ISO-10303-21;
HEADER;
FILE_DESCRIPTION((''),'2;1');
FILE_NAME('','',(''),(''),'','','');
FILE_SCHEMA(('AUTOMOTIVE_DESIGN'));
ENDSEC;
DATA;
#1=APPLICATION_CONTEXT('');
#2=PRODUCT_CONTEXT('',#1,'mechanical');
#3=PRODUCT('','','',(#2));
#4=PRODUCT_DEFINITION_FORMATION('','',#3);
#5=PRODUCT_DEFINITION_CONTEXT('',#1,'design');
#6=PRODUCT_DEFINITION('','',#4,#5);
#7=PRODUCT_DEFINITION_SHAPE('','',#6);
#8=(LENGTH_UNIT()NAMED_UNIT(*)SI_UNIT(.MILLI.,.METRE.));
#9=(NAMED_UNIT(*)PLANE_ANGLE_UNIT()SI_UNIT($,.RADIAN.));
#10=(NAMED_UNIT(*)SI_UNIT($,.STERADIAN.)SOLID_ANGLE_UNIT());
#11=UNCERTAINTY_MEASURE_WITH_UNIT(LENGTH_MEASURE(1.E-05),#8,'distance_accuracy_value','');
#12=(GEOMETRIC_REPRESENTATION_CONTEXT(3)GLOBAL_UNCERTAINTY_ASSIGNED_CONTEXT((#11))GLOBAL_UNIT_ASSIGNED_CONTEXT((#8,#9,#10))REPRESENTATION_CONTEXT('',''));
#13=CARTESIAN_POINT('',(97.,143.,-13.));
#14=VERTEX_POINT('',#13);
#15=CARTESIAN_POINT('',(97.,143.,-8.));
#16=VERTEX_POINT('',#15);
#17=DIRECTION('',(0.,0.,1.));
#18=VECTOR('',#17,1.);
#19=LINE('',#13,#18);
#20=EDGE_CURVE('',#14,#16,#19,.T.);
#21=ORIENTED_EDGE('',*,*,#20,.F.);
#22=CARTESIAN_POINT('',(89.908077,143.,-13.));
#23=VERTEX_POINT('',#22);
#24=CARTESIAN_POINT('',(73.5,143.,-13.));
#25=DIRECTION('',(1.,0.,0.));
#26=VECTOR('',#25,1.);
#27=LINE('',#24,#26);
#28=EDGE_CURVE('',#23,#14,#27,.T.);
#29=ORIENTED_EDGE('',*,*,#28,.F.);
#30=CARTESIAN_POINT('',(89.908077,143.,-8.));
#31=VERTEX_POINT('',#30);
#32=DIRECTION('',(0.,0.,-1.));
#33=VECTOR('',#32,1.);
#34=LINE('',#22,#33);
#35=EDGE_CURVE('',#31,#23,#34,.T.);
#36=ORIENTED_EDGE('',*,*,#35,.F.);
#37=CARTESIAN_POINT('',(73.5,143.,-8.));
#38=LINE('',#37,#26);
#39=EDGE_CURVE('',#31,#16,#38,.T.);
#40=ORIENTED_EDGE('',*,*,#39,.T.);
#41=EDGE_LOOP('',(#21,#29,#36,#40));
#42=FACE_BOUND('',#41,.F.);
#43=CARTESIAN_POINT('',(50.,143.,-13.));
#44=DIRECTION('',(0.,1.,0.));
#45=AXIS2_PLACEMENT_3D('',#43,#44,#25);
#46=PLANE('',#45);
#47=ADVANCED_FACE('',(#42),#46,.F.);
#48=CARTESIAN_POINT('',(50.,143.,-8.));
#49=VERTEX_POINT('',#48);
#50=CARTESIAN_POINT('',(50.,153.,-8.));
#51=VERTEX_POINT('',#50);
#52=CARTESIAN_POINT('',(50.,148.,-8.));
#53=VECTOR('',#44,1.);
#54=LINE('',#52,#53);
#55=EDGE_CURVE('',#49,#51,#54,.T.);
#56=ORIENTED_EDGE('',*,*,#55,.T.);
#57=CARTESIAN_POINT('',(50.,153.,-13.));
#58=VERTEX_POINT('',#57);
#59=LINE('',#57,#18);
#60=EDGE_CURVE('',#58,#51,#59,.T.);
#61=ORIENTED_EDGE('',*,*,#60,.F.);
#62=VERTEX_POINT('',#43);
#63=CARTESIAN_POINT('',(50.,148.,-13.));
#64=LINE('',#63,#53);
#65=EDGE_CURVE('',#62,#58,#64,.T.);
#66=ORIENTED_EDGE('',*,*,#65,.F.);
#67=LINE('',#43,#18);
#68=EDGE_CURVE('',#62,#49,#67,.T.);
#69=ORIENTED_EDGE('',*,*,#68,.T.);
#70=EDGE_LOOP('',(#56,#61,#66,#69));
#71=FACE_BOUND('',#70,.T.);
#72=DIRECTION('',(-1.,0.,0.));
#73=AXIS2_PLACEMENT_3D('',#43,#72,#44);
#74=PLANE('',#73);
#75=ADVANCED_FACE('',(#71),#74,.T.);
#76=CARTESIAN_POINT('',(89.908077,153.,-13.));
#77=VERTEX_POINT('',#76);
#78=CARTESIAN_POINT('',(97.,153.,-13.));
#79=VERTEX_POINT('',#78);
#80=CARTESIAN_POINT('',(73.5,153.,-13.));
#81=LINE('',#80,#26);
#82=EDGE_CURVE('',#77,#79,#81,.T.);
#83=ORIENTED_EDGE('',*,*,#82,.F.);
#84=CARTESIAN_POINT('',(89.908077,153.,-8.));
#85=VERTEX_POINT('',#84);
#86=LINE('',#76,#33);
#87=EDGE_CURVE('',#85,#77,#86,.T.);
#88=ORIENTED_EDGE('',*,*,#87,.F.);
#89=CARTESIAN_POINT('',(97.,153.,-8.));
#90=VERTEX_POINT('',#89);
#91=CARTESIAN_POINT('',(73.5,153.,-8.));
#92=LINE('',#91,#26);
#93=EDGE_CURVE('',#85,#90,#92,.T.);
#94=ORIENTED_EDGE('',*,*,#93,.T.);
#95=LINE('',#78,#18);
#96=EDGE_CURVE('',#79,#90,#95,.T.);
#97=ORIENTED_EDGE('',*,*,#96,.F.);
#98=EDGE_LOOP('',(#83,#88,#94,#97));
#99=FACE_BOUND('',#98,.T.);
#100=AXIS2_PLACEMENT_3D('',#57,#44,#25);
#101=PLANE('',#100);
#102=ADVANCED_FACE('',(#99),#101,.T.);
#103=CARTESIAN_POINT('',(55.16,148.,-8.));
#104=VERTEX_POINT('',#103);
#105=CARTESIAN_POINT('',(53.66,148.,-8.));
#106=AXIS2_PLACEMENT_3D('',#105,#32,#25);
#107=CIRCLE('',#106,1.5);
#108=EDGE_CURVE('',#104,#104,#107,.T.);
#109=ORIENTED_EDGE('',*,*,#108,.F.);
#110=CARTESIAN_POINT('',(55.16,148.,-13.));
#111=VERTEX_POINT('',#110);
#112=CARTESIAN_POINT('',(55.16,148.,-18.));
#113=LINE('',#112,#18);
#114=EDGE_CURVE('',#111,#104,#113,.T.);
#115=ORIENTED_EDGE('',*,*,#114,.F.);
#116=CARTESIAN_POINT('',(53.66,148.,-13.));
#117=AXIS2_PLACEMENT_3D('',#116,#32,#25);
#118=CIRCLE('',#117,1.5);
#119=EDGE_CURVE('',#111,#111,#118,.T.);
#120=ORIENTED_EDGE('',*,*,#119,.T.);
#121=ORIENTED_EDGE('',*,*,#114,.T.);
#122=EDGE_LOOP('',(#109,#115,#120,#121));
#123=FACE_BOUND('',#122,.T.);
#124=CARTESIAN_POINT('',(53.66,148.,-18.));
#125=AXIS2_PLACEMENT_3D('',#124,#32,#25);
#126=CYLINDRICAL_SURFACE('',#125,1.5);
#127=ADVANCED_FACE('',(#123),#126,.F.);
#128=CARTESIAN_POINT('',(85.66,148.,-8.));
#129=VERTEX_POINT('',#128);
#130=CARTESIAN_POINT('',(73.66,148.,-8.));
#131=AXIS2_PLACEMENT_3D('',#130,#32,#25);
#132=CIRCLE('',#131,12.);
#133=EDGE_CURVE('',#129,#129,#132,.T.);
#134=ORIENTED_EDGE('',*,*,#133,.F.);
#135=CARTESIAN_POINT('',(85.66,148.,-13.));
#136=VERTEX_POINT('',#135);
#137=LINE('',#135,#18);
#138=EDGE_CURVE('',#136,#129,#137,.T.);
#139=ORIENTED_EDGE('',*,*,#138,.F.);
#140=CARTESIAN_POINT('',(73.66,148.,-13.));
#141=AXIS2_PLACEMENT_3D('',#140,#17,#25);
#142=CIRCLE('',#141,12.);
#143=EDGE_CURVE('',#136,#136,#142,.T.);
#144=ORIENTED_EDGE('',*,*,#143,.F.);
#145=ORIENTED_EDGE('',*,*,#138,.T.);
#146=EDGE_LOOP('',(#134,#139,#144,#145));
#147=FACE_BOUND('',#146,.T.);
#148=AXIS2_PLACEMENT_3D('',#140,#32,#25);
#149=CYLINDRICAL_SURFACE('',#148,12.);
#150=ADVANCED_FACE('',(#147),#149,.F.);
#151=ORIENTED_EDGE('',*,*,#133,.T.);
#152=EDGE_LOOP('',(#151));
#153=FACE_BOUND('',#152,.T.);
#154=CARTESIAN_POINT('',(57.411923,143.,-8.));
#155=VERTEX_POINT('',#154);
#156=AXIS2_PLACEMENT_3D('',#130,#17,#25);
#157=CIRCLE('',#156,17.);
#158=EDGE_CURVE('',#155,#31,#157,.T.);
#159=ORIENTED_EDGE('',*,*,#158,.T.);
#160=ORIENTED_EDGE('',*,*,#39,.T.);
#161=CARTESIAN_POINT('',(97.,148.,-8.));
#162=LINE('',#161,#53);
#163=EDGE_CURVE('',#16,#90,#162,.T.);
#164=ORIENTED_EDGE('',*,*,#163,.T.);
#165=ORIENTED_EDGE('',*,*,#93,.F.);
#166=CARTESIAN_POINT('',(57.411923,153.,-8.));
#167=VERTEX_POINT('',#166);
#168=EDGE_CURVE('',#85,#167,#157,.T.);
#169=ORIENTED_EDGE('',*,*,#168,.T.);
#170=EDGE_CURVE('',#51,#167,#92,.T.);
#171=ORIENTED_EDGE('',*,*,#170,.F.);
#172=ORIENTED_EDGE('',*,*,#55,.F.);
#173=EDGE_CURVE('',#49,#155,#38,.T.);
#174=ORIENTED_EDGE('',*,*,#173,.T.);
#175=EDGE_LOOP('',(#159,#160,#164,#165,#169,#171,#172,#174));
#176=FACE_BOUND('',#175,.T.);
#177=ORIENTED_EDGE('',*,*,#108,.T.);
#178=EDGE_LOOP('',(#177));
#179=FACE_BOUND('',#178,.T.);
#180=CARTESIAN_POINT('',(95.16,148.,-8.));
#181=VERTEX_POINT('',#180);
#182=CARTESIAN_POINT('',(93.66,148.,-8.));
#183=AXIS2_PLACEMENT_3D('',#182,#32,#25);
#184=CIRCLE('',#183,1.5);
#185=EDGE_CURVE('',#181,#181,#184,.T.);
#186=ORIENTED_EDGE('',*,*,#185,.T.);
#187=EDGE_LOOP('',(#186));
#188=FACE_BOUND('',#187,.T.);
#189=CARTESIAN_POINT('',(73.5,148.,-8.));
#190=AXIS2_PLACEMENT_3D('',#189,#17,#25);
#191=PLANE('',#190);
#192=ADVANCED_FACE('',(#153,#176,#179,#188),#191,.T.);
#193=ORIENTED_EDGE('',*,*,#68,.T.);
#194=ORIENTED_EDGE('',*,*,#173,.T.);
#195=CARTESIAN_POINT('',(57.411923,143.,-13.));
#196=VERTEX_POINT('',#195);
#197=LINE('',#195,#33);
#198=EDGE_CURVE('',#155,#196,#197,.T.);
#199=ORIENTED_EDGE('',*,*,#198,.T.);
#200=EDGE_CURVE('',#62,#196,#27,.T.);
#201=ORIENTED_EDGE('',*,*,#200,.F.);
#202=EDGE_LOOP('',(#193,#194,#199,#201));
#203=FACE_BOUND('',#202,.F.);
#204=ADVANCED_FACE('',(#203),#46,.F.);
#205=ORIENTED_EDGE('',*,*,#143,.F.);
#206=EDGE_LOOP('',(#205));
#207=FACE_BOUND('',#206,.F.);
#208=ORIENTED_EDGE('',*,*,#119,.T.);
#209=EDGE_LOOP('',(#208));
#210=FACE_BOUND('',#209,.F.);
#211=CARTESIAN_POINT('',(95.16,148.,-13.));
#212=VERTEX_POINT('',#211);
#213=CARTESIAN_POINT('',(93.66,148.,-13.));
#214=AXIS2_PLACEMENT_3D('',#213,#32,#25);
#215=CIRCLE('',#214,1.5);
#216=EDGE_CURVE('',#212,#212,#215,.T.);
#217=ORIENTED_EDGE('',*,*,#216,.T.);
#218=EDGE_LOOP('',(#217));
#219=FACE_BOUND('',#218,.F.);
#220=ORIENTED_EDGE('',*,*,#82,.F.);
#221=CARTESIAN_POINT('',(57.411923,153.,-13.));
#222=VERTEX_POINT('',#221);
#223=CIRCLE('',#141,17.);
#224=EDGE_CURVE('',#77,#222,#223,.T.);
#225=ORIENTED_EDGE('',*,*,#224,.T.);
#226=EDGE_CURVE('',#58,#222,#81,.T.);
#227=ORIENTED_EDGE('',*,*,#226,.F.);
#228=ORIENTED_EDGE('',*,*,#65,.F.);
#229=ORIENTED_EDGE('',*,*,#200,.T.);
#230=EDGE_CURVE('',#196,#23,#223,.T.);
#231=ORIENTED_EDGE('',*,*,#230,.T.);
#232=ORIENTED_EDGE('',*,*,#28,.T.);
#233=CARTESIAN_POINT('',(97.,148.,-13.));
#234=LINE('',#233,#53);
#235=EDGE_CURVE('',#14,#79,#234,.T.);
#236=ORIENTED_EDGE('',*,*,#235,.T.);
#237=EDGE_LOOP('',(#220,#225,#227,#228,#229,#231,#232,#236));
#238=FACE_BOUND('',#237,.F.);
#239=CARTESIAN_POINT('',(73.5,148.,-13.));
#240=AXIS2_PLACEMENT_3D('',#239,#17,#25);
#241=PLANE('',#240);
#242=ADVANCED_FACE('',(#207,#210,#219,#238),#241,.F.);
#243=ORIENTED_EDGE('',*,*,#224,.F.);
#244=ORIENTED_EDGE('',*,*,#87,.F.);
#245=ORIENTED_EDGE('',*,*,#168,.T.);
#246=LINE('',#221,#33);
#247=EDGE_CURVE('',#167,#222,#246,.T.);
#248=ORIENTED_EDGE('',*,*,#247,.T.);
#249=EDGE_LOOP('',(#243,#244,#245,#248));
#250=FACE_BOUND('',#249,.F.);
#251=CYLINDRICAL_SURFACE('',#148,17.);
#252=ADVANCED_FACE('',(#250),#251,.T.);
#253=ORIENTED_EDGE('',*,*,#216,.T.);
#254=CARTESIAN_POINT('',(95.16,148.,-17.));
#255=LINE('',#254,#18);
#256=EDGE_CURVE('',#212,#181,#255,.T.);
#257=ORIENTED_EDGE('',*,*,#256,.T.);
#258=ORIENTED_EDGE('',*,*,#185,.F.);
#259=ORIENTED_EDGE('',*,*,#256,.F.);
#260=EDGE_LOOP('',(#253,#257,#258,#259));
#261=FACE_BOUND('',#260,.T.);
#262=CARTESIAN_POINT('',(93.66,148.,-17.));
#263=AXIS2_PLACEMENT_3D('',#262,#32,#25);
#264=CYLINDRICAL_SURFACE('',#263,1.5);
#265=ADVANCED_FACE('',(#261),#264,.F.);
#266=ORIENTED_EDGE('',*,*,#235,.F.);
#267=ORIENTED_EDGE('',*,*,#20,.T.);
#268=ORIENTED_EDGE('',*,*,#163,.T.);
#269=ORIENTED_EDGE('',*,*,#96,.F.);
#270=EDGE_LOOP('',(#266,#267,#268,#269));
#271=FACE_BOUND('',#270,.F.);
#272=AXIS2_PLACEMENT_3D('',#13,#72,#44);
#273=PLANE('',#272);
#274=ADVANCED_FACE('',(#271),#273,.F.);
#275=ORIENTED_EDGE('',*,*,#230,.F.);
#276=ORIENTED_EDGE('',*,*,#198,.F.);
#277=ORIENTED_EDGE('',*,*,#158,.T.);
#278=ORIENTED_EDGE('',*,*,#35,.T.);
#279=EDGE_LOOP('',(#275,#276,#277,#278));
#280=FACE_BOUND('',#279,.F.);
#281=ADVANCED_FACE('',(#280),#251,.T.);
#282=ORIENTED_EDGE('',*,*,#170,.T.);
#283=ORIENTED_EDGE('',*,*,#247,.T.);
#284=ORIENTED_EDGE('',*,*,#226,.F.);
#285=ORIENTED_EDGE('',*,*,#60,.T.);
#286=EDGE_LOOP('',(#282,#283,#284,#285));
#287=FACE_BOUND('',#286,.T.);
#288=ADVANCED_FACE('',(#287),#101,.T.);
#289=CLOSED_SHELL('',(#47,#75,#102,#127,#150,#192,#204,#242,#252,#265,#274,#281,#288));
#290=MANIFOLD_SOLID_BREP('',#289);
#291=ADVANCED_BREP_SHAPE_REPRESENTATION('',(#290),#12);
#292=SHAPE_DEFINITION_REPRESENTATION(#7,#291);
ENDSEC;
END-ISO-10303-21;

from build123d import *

# Parameters (mm, degrees)
CYLINDER098_R     = 1.5
CYLINDER098_DEPTH = 14
CYLINDER097_R     = 12
CYLINDER097_DEPTH = 33
CYLINDER099_R     = 1.5
CYLINDER099_DEPTH = 14
BOX017_W          = 47
BOX017_H          = 10
BOX017_DEPTH      = 5
CYLINDER096_R     = 17
CYLINDER096_DEPTH = 5


with BuildPart() as ftinsmount003:
    # Cylinder098 → Cylinder098 (new body)
    with BuildSketch(Plane(origin=(53.66, 148, -15), x_dir=(1, 0, 0), z_dir=(0, 0, 1))):
        Circle(CYLINDER098_R)
    extrude(amount=CYLINDER098_DEPTH)


with BuildPart() as ftinsinnerhole002:
    # Cylinder097 → Cylinder097 (new body)
    with BuildSketch(Plane(origin=(73.66, 148, -10), x_dir=(1, 0, 0), z_dir=(0, 0, 1))):
        Circle(CYLINDER097_R)
    extrude(amount=CYLINDER097_DEPTH)


with BuildPart() as fusion041:
    # Cylinder099 → Cylinder099 (new body)
    with BuildSketch(Plane(origin=(93.66, 148, -14), x_dir=(1, 0, 0), z_dir=(0, 0, 1))):
        Circle(CYLINDER099_R)
    extrude(amount=CYLINDER099_DEPTH)

    # Fusion041: union FTInsMount003, FTInsInnerHole002
    add(ftinsmount003.part)
    add(ftinsinnerhole002.part)


with BuildPart() as ftinslug001:
    # Box017 → Box017 (new body)
    with BuildSketch(Plane(origin=(50, 143, -10), x_dir=(1, 0, 0), z_dir=(0, 0, 1))):
        with Locations((23.5, 5)):
            Rectangle(BOX017_W, BOX017_H)
    extrude(amount=BOX017_DEPTH)


with BuildPart() as ftinsbackplate:
    # Cylinder096 → Cylinder096 (new body)
    with BuildSketch(Plane(origin=(73.66, 148, -10), x_dir=(1, 0, 0), z_dir=(0, 0, 1))):
        Circle(CYLINDER096_R)
    extrude(amount=CYLINDER096_DEPTH)

    # Fusion042: union FTInsLug001
    add(ftinslug001.part)

    # Cut011: cut Fusion041
    add(fusion041.part, mode=Mode.SUBTRACT)


with BuildPart() as ftinsbackplate_1:
    # Cut011 placement: moved
    add(ftinsbackplate.part.moved(Location((0, 0, -3))))


solid = ftinsbackplate_1.part
